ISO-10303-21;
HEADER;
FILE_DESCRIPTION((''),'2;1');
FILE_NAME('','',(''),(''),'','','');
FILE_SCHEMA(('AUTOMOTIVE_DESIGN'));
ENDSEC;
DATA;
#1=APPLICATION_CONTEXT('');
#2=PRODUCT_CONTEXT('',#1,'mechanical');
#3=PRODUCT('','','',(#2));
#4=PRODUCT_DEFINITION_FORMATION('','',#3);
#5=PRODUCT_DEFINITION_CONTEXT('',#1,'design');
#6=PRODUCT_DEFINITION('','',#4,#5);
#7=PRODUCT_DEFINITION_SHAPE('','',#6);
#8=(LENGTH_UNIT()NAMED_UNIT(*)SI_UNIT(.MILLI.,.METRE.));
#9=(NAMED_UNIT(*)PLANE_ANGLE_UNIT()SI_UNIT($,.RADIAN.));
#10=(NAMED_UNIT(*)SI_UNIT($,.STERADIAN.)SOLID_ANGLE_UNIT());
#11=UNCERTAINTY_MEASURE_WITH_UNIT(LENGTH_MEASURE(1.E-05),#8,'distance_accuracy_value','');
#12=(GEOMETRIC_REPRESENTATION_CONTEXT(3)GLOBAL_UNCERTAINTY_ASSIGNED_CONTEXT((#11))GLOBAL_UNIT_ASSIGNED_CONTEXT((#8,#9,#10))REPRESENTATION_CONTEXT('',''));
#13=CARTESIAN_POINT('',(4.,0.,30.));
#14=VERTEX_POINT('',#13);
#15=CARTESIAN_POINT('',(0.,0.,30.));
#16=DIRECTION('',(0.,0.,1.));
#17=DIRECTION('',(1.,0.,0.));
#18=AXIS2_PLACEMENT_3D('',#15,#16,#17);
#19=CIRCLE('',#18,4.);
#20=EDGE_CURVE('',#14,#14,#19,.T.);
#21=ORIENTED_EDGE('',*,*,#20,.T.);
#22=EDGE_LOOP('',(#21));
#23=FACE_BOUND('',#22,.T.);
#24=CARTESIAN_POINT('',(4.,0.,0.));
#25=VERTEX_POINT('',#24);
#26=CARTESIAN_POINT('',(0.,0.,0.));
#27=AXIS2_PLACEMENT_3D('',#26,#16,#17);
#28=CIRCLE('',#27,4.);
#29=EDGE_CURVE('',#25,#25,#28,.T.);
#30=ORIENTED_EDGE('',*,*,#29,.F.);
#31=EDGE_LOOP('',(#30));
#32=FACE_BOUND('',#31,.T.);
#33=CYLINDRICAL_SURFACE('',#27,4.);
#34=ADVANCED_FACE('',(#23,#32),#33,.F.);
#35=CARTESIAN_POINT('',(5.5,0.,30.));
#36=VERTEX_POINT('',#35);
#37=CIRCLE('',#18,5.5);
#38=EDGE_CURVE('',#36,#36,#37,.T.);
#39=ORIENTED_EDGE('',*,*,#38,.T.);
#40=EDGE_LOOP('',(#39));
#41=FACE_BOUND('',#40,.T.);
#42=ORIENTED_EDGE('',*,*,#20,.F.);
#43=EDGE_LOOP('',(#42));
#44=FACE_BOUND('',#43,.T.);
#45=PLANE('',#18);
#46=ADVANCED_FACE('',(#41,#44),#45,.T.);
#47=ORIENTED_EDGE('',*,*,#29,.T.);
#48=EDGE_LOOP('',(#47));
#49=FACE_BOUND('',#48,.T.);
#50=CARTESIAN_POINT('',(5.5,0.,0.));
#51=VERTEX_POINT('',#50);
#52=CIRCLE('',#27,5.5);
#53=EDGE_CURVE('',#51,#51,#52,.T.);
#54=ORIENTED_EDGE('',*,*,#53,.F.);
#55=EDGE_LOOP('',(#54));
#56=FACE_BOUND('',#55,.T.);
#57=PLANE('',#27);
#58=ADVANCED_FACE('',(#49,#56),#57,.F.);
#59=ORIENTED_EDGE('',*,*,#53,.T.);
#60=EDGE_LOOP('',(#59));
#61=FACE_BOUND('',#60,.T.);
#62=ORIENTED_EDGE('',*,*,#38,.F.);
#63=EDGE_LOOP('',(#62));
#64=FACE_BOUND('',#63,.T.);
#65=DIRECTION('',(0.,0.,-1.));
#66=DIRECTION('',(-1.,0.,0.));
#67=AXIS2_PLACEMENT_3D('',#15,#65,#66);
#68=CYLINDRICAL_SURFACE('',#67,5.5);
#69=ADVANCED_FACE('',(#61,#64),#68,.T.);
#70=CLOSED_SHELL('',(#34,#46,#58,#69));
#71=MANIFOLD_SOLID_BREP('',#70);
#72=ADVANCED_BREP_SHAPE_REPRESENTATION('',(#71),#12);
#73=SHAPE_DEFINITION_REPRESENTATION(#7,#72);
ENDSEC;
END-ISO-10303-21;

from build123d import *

# Parameters (mm, degrees)
CROQUIS1_R              = 5.5
SALIENTE_EXTRUIR1_DEPTH = 30
CROQUIS2_R              = 4
CORTAR_EXTRUIR1_DEPTH   = 30


with BuildPart() as part:
    # Croquis1 → Saliente-Extruir1 (new body)
    with BuildSketch(Plane.XY):
        Circle(CROQUIS1_R)
    extrude(amount=SALIENTE_EXTRUIR1_DEPTH)

    # Croquis2 → Cortar-Extruir1 (cut)
    with BuildSketch(Plane.XY.offset(30)):
        Circle(CROQUIS2_R)
    extrude(amount=-CORTAR_EXTRUIR1_DEPTH, mode=Mode.SUBTRACT)


solid = part.part
